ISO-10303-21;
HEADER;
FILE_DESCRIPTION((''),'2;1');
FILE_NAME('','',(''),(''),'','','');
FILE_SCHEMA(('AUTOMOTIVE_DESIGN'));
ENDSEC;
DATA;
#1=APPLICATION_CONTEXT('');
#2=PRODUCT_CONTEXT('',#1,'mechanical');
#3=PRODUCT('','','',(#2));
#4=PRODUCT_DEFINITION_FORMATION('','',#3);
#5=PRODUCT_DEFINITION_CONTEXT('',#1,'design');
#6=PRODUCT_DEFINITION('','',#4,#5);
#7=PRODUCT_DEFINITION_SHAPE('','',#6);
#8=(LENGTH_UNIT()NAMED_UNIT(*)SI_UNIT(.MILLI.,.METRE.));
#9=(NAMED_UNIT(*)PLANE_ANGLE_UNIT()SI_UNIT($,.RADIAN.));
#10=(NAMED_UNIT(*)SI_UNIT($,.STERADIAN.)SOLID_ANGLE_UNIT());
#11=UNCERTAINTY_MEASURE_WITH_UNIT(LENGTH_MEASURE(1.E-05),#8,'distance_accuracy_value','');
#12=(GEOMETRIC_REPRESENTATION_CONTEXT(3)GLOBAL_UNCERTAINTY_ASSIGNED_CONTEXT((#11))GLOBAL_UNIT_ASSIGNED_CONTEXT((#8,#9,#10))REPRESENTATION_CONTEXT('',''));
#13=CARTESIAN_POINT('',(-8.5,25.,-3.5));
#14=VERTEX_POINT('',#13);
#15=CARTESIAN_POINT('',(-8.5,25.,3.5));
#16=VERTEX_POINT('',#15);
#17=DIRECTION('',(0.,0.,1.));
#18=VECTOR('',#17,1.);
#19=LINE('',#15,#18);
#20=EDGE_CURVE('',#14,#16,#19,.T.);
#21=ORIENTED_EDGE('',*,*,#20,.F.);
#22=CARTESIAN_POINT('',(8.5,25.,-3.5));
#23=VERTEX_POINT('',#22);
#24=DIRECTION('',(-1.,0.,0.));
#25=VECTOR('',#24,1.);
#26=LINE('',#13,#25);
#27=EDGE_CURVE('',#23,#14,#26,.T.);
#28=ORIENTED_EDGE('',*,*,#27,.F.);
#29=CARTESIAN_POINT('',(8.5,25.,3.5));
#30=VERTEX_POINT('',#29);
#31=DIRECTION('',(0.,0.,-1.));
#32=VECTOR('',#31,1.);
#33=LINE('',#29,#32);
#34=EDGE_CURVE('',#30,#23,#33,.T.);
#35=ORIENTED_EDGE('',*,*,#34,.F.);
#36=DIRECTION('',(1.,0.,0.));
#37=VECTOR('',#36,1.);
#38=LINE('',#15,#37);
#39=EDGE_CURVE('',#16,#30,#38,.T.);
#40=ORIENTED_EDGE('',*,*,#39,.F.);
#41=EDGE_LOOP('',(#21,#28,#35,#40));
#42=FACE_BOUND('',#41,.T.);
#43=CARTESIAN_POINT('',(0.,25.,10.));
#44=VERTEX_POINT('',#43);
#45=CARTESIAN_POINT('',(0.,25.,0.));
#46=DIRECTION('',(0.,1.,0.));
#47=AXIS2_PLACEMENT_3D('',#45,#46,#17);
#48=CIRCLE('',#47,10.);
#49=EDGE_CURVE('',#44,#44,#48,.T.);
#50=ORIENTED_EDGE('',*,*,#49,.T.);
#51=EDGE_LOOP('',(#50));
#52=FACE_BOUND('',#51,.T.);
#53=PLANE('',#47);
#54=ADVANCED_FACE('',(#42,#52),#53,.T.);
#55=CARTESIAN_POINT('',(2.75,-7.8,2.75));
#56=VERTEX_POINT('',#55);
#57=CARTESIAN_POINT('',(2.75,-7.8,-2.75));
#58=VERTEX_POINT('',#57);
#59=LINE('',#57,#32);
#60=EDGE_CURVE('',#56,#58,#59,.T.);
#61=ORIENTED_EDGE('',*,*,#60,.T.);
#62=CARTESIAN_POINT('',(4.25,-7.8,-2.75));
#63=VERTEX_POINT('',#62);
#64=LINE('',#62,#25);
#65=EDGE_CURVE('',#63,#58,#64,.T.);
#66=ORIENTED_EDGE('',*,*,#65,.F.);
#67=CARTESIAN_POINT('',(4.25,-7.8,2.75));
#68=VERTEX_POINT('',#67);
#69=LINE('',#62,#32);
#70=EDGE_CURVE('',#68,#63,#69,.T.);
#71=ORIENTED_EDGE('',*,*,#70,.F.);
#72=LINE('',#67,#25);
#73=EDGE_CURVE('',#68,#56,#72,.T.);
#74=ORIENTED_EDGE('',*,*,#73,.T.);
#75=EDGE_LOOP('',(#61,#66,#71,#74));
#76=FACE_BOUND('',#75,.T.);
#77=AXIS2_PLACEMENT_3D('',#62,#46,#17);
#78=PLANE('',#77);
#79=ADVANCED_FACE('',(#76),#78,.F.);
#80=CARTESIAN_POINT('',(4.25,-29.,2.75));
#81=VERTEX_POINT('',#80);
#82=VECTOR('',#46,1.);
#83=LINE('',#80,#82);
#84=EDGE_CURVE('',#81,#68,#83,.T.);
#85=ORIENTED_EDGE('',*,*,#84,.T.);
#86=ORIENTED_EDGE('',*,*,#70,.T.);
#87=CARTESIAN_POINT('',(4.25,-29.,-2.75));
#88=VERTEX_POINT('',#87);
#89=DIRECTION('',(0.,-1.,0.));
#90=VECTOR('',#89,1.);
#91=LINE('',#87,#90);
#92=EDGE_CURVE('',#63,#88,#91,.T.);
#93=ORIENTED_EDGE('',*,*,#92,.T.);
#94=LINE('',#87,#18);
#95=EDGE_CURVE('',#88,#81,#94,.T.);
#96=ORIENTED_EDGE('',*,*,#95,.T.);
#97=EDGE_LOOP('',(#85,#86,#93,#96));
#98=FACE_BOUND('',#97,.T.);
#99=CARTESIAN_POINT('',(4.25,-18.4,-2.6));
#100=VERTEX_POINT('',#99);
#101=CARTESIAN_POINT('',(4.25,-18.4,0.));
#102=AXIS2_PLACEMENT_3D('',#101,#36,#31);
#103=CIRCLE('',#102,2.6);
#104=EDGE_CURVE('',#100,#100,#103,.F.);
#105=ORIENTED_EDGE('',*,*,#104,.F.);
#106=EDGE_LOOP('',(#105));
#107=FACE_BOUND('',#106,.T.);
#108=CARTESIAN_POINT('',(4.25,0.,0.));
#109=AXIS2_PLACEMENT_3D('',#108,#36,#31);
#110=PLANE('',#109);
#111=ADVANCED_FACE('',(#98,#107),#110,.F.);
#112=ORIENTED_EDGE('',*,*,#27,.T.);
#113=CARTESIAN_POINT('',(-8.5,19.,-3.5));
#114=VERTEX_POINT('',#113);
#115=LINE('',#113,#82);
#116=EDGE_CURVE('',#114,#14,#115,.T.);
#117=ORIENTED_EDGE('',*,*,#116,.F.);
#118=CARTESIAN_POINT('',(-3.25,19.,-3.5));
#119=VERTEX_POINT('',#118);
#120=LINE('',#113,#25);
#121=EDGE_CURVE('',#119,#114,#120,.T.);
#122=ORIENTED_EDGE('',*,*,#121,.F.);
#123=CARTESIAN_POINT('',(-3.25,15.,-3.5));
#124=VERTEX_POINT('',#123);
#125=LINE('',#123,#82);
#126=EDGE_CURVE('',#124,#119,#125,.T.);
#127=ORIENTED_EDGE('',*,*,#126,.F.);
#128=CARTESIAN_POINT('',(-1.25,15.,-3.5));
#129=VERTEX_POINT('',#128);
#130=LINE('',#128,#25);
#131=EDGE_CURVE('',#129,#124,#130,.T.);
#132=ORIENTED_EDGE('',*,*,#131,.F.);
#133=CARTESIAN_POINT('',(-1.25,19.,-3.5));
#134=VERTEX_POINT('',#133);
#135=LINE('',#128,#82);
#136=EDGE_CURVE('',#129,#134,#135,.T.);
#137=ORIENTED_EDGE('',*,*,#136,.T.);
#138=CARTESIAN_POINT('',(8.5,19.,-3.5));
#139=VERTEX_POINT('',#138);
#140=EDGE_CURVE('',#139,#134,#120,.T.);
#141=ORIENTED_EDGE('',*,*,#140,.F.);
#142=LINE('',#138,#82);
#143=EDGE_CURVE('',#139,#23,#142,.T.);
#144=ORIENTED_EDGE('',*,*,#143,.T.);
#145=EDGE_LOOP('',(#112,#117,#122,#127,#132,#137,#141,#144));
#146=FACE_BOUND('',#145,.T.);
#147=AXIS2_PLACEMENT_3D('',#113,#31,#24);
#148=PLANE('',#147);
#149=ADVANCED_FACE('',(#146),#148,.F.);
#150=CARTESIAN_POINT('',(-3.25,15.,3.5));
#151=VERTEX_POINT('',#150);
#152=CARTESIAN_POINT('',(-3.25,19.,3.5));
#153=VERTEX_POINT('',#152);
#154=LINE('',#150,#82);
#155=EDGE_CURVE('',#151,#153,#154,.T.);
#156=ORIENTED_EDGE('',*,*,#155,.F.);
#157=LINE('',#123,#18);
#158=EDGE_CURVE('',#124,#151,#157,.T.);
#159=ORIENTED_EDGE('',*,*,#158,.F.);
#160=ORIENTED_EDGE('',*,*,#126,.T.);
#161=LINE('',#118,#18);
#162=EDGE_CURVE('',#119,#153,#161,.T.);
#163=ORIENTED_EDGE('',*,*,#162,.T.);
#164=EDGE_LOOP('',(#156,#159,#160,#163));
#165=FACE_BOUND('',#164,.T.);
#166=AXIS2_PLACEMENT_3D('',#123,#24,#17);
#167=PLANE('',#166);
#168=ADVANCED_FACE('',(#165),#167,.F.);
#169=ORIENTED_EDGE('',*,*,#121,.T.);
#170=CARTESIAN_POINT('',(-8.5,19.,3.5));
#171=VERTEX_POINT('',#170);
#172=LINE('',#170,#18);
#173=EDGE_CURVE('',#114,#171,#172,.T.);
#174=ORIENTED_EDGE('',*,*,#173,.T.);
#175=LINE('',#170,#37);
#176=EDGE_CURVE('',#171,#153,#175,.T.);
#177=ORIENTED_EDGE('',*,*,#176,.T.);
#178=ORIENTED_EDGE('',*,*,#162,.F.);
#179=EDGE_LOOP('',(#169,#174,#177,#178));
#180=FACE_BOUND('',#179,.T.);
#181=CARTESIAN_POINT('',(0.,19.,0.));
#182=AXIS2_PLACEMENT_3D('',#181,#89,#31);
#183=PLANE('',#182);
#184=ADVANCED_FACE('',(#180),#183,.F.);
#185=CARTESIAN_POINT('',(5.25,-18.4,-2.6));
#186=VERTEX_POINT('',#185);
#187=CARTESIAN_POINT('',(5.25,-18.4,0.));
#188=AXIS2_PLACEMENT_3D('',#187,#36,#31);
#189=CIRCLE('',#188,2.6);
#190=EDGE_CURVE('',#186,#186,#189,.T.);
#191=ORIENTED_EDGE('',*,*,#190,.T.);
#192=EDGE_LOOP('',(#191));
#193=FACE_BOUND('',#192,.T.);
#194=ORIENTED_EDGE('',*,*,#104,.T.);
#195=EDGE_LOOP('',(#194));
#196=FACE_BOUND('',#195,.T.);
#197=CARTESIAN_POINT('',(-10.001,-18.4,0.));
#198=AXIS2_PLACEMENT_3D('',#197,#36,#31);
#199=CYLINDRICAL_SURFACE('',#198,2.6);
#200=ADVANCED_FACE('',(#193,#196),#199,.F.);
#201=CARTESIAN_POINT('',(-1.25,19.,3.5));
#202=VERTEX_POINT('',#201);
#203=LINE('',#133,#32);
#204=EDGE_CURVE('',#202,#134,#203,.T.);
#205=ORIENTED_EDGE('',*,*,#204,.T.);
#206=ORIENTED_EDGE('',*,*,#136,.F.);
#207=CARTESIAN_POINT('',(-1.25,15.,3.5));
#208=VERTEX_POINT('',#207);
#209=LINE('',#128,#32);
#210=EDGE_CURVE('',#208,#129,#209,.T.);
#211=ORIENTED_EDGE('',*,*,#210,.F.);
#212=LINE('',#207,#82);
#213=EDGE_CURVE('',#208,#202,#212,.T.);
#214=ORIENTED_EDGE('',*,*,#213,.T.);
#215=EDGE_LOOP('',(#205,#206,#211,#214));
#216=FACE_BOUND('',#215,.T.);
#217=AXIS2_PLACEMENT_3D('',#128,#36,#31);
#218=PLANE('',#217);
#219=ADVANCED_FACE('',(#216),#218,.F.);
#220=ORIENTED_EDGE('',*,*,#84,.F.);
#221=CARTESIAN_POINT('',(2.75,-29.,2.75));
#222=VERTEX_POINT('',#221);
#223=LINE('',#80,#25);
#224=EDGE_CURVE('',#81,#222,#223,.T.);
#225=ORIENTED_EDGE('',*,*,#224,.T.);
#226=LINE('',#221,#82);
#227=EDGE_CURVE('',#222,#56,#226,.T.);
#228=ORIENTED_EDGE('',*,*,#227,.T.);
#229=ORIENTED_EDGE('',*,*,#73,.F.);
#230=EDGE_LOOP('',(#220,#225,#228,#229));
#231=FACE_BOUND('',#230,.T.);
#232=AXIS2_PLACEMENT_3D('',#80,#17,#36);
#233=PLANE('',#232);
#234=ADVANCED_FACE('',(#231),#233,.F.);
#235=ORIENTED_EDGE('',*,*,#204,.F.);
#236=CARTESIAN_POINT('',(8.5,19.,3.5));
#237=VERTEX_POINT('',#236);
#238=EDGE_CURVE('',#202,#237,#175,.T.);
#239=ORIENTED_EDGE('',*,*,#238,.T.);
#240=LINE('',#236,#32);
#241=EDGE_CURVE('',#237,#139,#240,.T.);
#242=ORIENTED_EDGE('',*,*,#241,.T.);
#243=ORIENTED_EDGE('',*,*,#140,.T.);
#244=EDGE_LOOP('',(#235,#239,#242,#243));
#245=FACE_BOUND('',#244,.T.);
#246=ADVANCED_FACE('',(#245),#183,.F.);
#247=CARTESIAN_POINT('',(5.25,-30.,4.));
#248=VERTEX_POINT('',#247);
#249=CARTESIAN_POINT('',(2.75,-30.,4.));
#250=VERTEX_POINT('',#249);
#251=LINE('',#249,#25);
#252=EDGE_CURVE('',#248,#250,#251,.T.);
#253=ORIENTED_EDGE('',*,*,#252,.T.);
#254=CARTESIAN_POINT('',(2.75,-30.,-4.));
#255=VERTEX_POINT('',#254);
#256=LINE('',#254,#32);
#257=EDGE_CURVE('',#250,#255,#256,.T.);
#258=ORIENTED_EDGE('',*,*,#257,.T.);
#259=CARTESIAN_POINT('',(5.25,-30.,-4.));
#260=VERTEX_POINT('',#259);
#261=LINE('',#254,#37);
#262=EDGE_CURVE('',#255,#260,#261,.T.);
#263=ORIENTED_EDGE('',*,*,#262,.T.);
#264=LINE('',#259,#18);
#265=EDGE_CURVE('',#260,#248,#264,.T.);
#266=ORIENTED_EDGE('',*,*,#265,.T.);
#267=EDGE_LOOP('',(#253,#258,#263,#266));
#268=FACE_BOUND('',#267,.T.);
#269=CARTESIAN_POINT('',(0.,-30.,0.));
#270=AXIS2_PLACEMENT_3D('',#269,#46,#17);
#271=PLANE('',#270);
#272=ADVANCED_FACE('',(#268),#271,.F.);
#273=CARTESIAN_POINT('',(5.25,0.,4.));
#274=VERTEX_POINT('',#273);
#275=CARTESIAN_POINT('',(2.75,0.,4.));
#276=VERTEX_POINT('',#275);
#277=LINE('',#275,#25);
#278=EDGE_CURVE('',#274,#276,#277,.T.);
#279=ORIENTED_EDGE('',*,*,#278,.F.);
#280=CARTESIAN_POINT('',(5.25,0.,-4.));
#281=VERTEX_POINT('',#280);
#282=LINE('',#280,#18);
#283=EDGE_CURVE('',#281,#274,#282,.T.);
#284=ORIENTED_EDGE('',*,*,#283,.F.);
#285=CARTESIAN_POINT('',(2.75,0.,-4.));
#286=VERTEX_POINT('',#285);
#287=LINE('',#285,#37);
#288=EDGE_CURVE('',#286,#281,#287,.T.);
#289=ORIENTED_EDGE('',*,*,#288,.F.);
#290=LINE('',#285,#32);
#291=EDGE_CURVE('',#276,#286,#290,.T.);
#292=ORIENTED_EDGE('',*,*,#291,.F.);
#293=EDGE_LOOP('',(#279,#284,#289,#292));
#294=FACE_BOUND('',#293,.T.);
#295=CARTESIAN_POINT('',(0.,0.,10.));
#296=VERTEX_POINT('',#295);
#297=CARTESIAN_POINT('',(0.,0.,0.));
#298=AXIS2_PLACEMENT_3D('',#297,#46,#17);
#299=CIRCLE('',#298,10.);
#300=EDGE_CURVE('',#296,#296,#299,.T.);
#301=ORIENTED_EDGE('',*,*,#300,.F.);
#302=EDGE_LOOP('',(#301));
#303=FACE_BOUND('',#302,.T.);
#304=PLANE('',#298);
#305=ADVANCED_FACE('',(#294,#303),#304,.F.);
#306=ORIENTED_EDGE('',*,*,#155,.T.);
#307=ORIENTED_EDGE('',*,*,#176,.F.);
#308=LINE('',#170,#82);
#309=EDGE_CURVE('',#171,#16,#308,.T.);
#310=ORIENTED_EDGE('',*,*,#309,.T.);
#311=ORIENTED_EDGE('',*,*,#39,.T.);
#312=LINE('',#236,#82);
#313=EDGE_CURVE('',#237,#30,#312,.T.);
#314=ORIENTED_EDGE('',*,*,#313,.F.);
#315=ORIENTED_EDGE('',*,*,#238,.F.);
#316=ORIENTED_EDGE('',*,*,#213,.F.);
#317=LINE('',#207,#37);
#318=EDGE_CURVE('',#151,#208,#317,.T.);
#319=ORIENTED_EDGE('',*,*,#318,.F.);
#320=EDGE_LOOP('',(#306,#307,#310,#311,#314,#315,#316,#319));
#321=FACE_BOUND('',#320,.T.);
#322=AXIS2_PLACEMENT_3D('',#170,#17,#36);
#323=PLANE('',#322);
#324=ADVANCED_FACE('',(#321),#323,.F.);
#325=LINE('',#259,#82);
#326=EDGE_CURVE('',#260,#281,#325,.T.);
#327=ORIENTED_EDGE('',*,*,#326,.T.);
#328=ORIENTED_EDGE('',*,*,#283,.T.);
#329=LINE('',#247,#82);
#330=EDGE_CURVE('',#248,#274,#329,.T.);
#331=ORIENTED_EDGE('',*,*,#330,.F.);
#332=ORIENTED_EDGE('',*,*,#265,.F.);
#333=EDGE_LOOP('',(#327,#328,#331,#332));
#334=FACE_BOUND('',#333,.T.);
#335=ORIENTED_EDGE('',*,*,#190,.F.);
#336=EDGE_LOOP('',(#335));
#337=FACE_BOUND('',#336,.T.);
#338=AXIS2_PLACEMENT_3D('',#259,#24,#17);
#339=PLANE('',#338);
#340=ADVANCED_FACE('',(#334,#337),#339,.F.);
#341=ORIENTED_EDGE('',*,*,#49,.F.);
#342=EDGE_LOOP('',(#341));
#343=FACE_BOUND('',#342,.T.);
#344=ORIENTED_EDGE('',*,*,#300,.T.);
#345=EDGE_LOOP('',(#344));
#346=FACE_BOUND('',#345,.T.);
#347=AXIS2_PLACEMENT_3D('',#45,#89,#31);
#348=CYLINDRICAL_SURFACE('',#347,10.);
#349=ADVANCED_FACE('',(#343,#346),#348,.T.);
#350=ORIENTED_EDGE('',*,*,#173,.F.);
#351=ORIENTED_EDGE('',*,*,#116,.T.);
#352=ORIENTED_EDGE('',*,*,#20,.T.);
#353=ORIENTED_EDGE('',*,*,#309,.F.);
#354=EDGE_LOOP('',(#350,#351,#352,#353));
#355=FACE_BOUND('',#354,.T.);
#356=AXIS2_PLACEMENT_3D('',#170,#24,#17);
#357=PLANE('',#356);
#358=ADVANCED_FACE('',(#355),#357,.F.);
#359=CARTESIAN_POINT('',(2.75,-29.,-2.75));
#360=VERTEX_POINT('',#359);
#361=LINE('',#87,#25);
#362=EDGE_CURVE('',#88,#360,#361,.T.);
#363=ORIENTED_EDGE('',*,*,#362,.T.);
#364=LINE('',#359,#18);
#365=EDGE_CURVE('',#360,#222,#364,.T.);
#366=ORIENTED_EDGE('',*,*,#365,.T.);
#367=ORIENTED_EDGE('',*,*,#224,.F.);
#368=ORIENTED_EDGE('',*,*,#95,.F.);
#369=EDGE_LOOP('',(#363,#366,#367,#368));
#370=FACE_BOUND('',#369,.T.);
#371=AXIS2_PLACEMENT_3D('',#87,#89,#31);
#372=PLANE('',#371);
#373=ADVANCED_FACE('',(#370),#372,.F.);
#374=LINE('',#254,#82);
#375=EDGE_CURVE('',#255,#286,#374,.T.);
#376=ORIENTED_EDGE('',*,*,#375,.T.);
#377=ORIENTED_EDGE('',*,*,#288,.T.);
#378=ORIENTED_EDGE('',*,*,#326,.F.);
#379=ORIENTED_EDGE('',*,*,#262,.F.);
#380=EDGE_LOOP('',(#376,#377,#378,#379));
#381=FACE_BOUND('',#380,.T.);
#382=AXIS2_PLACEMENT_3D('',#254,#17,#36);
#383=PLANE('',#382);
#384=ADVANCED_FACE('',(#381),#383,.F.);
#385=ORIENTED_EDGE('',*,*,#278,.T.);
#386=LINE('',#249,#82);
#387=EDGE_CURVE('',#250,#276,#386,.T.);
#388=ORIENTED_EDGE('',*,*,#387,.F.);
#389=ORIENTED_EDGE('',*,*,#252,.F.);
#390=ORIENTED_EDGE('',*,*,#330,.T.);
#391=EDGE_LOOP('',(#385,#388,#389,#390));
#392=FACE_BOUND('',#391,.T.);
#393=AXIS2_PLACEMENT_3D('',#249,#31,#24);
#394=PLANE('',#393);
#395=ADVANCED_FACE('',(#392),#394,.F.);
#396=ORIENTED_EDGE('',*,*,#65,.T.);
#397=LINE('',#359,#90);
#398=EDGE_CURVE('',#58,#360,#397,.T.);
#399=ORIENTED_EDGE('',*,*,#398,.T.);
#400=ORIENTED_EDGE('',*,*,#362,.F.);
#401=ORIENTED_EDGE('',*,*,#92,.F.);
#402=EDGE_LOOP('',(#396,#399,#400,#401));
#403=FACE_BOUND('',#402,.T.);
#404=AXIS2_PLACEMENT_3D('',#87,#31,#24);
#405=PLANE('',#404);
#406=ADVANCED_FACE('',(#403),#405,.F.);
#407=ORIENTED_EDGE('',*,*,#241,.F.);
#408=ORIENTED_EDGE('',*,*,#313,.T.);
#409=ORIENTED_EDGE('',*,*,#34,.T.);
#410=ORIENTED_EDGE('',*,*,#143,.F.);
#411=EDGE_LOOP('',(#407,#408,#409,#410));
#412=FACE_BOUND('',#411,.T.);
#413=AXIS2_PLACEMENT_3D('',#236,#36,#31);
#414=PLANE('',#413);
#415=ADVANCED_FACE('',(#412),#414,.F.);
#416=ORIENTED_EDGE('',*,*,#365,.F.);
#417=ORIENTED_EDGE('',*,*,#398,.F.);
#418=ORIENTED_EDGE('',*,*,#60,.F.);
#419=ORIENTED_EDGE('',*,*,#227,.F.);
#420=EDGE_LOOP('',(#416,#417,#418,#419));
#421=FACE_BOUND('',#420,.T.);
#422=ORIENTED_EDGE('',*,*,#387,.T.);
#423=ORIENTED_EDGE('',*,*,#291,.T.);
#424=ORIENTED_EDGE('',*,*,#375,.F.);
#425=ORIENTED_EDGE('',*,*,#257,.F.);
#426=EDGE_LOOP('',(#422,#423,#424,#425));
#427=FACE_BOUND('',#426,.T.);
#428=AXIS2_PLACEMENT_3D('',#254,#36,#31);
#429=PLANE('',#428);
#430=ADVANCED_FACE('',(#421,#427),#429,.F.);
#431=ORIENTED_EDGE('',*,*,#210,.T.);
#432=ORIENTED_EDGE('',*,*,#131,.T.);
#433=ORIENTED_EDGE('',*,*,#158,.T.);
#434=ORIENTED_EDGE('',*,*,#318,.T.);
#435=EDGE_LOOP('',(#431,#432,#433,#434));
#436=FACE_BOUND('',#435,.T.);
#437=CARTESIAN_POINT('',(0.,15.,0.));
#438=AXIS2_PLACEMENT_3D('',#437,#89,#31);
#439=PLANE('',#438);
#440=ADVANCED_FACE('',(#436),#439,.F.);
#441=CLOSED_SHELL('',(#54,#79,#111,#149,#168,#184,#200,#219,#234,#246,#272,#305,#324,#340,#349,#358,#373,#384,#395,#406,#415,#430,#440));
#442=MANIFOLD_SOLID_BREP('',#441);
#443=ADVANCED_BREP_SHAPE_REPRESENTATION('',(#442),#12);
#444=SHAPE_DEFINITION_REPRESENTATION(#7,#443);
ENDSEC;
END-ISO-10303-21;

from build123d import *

# Parameters (mm, degrees)
SKETCH3_R           = 10
BOSS_EXTRUDE1_DEPTH = 25
SKETCH4_W           = 2.5
SKETCH4_H           = 8
BOSS_EXTRUDE2_DEPTH = 30
CUT_EXTRUDE1_REACH  = 37.108
SKETCH5_R           = 2.6
SKETCH6_W           = 5.5
SKETCH6_H           = 21.2
CUT_EXTRUDE2_DEPTH  = 1.5
SKETCH7_W           = 17
SKETCH7_H           = 7
CUT_EXTRUDE3_DEPTH  = 6
SKETCH8_W           = 2
SKETCH8_H           = 7
CUT_EXTRUDE4_DEPTH  = 4


with BuildPart() as part:
    # Sketch3 → Boss-Extrude1 (new body)
    with BuildSketch(Plane(origin=(0, 0, 0), x_dir=(1, 0, 0), z_dir=(0, 1, 0))):
        with Locations(Location((0, 0, 0), (0, 0, 270))):
            Circle(SKETCH3_R)
    extrude(amount=BOSS_EXTRUDE1_DEPTH)

    # Sketch4 → Boss-Extrude2 (add)
    with BuildSketch(Plane(origin=(0, 0, 0), x_dir=(-1, 0, 0), z_dir=(0, -1, 0))):
        with Locations((-4, 0)):
            Rectangle(SKETCH4_W, SKETCH4_H)
    extrude(amount=BOSS_EXTRUDE2_DEPTH)

    # Sketch5 → Cut-Extrude1 (cut, up to next)
    with BuildSketch(Plane(origin=(5.25, 0, 0), x_dir=(0, 0, -1), z_dir=(1, 0, 0)), mode=Mode.PRIVATE) as cut_extrude1_sk1:
        with Locations((0, -18.4)):
            Circle(SKETCH5_R)
    cut_extrude1_tool1 = extrude(cut_extrude1_sk1.sketch, amount=-CUT_EXTRUDE1_REACH, mode=Mode.PRIVATE) & part.part
    add(cut_extrude1_tool1.solids().sort_by_distance((5.25, -18.4, 0))[0], mode=Mode.SUBTRACT)

    # Sketch6 → Cut-Extrude2 (cut)
    with BuildSketch(Plane.ZY.offset(-2.75)):
        with Locations((0, -18.4)):
            Rectangle(SKETCH6_W, SKETCH6_H)
    extrude(amount=-CUT_EXTRUDE2_DEPTH, mode=Mode.SUBTRACT)

    # Sketch7 → Cut-Extrude3 (cut)
    with BuildSketch(Plane(origin=(0, 25, 0), x_dir=(1, 0, 0), z_dir=(0, 1, 0))):
        Rectangle(SKETCH7_W, SKETCH7_H)
    extrude(amount=-CUT_EXTRUDE3_DEPTH, mode=Mode.SUBTRACT)

    # Sketch8 → Cut-Extrude4 (cut)
    with BuildSketch(Plane(origin=(0, 19, 0), x_dir=(1, 0, 0), z_dir=(0, 1, 0))):
        with Locations((-2.25, 0)):
            Rectangle(SKETCH8_W, SKETCH8_H)
    extrude(amount=-CUT_EXTRUDE4_DEPTH, mode=Mode.SUBTRACT)


solid = part.part
